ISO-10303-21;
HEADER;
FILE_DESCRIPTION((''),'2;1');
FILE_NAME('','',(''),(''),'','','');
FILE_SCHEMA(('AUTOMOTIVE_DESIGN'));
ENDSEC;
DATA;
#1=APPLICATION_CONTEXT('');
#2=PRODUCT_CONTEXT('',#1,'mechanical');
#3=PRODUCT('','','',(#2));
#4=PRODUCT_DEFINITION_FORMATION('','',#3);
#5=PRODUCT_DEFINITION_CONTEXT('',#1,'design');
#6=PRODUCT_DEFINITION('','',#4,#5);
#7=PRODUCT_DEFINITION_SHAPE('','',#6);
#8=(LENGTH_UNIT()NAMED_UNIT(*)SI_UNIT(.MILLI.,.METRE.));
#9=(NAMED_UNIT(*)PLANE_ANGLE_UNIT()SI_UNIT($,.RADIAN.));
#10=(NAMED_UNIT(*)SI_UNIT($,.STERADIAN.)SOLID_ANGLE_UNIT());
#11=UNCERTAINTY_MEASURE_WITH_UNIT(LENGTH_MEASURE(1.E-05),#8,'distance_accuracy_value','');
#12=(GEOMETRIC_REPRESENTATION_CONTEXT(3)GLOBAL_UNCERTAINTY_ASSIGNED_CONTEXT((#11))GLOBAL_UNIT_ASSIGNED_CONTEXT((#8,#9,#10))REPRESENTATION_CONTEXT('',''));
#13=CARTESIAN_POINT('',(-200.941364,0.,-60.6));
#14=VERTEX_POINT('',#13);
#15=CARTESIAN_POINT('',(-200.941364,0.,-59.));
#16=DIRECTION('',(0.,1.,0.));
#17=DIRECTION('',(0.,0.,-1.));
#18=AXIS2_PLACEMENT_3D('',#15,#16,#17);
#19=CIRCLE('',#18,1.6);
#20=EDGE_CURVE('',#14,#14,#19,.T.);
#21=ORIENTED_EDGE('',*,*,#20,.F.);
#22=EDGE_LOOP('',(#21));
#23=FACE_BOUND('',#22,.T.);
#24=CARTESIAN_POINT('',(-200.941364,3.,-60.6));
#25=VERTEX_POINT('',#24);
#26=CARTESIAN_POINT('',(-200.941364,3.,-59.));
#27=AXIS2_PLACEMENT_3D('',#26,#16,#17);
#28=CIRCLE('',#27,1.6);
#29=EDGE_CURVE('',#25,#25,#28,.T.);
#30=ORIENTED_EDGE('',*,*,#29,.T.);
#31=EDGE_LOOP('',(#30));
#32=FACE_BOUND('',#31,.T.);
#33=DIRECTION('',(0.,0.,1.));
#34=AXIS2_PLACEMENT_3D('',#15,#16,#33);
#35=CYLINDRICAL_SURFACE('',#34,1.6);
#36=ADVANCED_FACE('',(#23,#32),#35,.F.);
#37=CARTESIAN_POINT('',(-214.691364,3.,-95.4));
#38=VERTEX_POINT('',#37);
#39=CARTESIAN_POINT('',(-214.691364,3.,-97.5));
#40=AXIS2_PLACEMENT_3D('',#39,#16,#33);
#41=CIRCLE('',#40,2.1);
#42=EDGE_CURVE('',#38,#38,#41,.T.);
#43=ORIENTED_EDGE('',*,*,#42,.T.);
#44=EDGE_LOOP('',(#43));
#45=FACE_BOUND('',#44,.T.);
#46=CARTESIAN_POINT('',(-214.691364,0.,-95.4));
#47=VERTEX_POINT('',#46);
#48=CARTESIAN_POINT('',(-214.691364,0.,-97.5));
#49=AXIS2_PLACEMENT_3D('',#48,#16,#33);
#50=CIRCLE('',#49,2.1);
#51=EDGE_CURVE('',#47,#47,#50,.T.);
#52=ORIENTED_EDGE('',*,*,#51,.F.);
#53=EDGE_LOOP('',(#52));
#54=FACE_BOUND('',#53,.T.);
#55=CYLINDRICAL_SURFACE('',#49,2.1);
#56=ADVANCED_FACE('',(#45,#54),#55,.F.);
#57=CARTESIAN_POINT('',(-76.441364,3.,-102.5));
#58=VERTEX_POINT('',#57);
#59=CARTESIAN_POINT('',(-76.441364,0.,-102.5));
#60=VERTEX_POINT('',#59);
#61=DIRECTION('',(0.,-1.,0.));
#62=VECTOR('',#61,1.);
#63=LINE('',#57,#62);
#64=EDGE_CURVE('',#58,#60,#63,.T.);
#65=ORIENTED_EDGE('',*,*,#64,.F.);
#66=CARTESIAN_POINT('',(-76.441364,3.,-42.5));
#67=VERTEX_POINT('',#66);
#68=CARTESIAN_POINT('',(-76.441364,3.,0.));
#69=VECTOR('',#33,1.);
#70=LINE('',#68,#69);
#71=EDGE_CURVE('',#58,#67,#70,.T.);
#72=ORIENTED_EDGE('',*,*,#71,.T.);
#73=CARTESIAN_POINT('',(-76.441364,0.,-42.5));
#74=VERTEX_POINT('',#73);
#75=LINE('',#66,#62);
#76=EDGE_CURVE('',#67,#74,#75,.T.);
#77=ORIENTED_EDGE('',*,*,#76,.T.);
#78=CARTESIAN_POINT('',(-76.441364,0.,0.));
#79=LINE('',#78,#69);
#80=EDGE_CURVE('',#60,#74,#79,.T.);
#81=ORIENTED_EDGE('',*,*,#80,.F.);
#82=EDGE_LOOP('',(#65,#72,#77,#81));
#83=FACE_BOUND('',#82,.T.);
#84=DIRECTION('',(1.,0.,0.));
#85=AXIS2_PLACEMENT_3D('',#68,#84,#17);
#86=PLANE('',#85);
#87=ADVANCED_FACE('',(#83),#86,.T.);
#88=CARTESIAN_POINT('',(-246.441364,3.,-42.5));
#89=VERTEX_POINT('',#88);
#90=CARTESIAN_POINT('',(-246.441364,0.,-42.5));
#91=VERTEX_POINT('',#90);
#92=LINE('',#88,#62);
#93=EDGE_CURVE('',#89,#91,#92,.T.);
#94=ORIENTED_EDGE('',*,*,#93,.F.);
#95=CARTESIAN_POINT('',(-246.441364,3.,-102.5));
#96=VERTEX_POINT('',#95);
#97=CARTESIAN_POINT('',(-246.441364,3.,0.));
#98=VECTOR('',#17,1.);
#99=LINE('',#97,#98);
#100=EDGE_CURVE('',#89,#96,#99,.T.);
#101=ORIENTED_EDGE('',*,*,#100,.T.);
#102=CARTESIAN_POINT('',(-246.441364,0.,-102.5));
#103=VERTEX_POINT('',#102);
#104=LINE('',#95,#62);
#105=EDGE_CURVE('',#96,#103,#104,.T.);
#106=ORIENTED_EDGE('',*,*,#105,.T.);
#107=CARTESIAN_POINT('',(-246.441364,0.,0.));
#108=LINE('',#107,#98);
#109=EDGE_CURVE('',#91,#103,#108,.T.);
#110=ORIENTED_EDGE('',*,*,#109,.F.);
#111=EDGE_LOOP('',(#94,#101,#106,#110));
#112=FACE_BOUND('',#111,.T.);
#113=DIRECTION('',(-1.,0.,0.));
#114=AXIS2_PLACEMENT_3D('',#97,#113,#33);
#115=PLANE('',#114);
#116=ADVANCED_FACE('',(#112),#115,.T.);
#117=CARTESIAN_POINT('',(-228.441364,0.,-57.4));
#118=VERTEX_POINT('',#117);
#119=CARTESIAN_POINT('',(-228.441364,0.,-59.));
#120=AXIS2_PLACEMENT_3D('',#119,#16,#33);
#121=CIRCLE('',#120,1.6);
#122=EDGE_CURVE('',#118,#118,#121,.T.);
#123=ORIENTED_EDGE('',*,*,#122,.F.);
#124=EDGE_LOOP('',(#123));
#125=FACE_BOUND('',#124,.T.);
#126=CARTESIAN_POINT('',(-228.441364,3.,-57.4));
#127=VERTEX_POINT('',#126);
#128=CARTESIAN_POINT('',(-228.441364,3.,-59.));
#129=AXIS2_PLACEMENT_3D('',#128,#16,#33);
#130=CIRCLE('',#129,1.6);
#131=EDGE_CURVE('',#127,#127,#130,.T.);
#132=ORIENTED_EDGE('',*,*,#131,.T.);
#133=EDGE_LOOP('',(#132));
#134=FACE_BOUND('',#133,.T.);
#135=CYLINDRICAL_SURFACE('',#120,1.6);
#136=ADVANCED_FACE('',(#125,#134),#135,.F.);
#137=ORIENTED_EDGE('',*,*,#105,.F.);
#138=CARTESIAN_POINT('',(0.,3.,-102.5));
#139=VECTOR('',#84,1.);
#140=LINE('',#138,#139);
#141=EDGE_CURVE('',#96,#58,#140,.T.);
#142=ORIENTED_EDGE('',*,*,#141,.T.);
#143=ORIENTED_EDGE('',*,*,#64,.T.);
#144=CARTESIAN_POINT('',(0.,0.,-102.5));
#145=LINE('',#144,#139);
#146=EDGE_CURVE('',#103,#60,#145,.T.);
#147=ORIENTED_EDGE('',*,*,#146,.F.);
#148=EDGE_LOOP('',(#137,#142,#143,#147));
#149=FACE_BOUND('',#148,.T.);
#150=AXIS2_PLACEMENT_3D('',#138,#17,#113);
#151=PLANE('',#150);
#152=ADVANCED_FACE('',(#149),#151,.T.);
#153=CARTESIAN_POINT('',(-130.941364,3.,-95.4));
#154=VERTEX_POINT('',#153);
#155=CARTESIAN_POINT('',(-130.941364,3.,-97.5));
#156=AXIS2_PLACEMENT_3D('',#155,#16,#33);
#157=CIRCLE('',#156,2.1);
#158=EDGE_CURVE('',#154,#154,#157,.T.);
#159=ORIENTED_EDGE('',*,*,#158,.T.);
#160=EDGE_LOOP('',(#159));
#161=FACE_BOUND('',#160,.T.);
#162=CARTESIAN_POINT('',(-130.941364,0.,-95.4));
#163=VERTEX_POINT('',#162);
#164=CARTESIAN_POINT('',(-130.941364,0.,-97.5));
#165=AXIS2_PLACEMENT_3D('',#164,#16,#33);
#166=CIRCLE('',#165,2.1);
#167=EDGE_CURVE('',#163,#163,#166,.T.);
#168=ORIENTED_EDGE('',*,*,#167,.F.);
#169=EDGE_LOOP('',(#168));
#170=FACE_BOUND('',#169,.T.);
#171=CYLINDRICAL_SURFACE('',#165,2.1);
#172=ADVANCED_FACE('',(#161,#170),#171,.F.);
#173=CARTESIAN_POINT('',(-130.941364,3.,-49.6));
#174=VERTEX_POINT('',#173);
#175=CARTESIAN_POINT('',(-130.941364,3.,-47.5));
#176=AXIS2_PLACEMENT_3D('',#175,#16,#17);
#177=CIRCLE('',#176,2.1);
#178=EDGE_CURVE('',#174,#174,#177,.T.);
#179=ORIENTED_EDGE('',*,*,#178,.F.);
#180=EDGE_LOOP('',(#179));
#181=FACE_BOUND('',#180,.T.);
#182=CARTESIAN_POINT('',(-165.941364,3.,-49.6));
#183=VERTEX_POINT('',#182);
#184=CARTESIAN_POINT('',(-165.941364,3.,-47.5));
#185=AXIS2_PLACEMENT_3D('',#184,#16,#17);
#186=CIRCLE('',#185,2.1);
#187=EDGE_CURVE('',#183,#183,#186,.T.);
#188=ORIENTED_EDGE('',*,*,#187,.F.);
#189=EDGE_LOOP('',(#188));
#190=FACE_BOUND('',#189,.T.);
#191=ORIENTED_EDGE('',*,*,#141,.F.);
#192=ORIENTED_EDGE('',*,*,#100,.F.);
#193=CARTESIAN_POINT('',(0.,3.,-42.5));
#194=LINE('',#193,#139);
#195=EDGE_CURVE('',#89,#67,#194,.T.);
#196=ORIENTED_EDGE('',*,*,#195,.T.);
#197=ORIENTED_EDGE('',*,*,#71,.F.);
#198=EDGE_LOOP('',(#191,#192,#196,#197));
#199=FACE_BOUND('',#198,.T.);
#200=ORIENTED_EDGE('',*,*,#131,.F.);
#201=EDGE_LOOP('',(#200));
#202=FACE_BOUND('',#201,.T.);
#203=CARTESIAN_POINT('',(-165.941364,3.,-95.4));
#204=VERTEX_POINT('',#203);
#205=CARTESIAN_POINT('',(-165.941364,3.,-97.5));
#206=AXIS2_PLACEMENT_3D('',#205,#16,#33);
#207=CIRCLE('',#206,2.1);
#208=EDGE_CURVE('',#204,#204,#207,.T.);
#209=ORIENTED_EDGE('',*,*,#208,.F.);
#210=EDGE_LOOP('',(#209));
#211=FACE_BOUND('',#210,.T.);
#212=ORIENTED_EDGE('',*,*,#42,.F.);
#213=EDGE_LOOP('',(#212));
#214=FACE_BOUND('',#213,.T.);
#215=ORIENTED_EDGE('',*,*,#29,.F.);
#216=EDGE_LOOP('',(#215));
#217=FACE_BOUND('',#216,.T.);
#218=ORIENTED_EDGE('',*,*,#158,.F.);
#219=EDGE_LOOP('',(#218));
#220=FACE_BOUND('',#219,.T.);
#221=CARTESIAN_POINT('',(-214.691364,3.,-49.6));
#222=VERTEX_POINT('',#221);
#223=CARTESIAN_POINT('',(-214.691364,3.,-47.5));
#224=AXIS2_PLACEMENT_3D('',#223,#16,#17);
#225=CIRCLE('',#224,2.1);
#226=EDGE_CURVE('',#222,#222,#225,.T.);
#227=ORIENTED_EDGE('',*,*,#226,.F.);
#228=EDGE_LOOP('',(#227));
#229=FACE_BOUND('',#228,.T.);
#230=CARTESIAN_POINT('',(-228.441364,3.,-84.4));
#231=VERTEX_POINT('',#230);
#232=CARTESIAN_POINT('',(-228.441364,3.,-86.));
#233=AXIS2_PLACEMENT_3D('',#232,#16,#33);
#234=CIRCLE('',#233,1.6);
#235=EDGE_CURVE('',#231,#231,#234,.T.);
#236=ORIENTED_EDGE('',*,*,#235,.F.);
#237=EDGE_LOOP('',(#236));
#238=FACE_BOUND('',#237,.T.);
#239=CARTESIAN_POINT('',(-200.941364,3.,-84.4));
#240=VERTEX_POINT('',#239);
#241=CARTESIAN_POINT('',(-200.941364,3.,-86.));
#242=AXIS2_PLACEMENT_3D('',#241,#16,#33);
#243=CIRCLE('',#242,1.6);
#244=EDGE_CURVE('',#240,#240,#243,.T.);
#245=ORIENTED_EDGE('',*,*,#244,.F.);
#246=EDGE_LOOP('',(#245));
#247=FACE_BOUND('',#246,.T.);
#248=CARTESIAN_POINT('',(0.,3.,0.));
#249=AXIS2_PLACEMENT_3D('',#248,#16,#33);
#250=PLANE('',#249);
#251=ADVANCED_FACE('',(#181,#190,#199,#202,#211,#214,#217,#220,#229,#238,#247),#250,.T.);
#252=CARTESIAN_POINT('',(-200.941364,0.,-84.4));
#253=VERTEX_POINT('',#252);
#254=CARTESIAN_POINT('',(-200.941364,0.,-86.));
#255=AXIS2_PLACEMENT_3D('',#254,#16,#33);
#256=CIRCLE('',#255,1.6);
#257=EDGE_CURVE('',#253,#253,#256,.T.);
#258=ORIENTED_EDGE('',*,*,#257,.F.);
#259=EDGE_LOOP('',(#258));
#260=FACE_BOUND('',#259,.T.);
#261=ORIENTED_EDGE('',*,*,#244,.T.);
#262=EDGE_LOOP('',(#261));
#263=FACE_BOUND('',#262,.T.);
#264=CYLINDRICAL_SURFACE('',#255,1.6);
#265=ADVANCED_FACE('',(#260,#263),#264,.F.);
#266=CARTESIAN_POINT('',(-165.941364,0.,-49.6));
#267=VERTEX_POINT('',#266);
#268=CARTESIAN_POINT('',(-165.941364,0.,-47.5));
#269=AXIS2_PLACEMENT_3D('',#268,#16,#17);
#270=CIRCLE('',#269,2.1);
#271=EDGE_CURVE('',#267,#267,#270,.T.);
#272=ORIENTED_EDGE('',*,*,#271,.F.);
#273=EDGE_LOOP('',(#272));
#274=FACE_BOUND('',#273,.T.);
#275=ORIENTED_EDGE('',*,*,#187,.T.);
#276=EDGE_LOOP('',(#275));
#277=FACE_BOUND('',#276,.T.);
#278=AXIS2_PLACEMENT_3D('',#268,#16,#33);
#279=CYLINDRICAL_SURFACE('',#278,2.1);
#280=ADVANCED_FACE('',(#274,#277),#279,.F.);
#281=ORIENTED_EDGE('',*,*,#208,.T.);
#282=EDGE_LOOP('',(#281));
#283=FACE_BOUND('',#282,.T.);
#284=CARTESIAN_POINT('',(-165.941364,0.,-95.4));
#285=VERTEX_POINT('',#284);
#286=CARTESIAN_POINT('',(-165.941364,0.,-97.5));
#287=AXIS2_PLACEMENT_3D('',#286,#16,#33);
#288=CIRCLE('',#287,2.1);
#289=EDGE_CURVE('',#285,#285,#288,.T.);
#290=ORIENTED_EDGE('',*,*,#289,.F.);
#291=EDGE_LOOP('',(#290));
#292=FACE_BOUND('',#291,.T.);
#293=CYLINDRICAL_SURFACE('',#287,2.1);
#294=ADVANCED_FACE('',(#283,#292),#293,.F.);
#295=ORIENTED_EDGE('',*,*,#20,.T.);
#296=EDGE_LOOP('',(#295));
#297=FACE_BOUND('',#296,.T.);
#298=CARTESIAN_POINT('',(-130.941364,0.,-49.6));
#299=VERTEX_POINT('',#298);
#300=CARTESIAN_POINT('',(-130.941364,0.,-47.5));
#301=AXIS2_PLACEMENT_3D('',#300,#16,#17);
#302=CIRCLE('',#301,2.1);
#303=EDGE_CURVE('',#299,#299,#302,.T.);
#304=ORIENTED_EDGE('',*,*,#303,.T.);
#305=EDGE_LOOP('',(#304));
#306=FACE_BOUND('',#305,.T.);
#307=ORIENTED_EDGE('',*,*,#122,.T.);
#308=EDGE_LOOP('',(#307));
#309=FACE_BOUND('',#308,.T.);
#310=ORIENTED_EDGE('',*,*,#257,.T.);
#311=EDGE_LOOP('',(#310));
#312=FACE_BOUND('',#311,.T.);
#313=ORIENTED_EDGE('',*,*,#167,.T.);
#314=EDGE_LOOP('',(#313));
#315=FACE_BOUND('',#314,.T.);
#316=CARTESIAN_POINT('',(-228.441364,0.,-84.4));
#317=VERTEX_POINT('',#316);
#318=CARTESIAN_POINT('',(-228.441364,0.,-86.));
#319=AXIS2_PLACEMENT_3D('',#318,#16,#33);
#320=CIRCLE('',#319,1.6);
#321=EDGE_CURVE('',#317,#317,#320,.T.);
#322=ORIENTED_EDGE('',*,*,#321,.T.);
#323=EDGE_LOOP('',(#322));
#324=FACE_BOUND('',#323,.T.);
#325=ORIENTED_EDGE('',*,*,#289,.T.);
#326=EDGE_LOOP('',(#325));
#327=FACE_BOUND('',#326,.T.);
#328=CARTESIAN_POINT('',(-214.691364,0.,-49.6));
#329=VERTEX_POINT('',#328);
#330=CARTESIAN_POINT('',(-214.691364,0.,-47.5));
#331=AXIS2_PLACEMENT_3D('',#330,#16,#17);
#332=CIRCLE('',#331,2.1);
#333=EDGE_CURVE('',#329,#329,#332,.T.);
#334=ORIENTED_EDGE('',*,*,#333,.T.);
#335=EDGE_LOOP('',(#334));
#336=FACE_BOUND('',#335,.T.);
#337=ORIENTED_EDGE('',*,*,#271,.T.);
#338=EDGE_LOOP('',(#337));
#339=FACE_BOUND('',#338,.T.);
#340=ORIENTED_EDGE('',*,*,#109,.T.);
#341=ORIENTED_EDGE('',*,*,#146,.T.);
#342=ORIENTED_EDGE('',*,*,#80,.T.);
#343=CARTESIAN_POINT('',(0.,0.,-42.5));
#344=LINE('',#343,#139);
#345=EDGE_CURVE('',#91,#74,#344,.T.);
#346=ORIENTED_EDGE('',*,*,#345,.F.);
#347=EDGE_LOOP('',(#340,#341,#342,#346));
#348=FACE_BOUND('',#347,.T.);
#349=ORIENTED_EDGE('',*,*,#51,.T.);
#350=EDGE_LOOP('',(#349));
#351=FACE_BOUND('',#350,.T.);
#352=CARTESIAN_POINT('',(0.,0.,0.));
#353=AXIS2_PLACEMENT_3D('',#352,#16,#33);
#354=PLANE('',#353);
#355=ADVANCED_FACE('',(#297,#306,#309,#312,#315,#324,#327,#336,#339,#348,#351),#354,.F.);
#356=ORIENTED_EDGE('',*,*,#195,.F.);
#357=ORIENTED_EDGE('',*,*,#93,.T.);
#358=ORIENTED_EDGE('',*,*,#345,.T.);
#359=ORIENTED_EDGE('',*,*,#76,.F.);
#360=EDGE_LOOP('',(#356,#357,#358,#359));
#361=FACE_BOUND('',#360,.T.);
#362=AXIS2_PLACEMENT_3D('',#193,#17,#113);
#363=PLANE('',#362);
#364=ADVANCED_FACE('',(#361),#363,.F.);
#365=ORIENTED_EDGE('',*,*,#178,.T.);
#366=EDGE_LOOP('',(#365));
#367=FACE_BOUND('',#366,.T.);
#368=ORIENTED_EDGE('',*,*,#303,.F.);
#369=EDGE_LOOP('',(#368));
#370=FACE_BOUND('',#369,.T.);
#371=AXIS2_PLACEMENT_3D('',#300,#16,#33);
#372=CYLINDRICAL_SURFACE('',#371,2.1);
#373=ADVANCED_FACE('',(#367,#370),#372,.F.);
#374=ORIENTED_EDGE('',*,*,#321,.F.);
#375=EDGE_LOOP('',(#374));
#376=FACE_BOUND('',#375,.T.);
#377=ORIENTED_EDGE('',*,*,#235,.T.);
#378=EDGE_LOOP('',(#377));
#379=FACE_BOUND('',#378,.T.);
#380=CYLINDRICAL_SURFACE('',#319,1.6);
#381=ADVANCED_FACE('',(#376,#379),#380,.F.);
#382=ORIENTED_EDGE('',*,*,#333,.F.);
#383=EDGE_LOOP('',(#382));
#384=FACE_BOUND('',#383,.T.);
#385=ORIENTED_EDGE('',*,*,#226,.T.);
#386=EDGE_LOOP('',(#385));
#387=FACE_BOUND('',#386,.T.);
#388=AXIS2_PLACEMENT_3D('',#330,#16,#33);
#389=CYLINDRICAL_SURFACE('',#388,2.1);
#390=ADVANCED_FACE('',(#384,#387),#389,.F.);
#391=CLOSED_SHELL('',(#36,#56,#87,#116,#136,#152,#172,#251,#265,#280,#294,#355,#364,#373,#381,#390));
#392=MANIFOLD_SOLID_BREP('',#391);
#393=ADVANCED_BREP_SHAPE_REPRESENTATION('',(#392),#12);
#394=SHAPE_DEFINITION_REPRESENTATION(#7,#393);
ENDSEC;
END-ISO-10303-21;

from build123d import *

# Parameters (mm, degrees)
SKETCH_1_W          = 170
SKETCH_1_H          = 60
EXTRUDE_1_DEPTH     = 3
SKETCH_2_R          = 1.6
SKETCH_2_R_2        = 2.1
CUT_EXTRUDE_1_DEPTH = 267.924326413


with BuildPart() as part:
    # 草图1 → 凸台-拉伸1 (new body)
    with BuildSketch(Plane(origin=(0, 0, 0), x_dir=(1, 0, 0), z_dir=(0, 1, 0))):
        with Locations((-161.441364286, 72.5)):
            Rectangle(SKETCH_1_W, SKETCH_1_H)
    extrude(amount=EXTRUDE_1_DEPTH)

    # 草图2 → 切除-拉伸1 (cut, through all)
    with BuildSketch(Plane(origin=(0, 3, 0), x_dir=(1, 0, 0), z_dir=(0, 1, 0))):
        with Locations(Location((-228.441364286, 86, 0), (0, 0, 270))):
            Circle(SKETCH_2_R)
        with Locations(Location((-228.441364286, 59, 0), (0, 0, 270))):
            Circle(SKETCH_2_R)
        with Locations(Location((-200.941364286, 86, 0), (0, 0, 270))):
            Circle(SKETCH_2_R)
        with Locations(Location((-200.941364286, 59, 0), (0, 0, 90))):
            Circle(SKETCH_2_R)
        with Locations(Location((-130.941364286, 97.5, 0), (0, 0, 270))):
            Circle(SKETCH_2_R_2)
        with Locations(Location((-165.941364286, 97.5, 0), (0, 0, 270))):
            Circle(SKETCH_2_R_2)
        with Locations(Location((-130.941364286, 47.5, 0), (0, 0, 90))):
            Circle(SKETCH_2_R_2)
        with Locations(Location((-165.941364286, 47.5, 0), (0, 0, 90))):
            Circle(SKETCH_2_R_2)
        with Locations(Location((-214.691364286, 97.5, 0), (0, 0, 270))):
            Circle(SKETCH_2_R_2)
        with Locations(Location((-214.691364286, 47.5, 0), (0, 0, 90))):
            Circle(SKETCH_2_R_2)
    extrude(amount=-CUT_EXTRUDE_1_DEPTH, mode=Mode.SUBTRACT)


solid = part.part
